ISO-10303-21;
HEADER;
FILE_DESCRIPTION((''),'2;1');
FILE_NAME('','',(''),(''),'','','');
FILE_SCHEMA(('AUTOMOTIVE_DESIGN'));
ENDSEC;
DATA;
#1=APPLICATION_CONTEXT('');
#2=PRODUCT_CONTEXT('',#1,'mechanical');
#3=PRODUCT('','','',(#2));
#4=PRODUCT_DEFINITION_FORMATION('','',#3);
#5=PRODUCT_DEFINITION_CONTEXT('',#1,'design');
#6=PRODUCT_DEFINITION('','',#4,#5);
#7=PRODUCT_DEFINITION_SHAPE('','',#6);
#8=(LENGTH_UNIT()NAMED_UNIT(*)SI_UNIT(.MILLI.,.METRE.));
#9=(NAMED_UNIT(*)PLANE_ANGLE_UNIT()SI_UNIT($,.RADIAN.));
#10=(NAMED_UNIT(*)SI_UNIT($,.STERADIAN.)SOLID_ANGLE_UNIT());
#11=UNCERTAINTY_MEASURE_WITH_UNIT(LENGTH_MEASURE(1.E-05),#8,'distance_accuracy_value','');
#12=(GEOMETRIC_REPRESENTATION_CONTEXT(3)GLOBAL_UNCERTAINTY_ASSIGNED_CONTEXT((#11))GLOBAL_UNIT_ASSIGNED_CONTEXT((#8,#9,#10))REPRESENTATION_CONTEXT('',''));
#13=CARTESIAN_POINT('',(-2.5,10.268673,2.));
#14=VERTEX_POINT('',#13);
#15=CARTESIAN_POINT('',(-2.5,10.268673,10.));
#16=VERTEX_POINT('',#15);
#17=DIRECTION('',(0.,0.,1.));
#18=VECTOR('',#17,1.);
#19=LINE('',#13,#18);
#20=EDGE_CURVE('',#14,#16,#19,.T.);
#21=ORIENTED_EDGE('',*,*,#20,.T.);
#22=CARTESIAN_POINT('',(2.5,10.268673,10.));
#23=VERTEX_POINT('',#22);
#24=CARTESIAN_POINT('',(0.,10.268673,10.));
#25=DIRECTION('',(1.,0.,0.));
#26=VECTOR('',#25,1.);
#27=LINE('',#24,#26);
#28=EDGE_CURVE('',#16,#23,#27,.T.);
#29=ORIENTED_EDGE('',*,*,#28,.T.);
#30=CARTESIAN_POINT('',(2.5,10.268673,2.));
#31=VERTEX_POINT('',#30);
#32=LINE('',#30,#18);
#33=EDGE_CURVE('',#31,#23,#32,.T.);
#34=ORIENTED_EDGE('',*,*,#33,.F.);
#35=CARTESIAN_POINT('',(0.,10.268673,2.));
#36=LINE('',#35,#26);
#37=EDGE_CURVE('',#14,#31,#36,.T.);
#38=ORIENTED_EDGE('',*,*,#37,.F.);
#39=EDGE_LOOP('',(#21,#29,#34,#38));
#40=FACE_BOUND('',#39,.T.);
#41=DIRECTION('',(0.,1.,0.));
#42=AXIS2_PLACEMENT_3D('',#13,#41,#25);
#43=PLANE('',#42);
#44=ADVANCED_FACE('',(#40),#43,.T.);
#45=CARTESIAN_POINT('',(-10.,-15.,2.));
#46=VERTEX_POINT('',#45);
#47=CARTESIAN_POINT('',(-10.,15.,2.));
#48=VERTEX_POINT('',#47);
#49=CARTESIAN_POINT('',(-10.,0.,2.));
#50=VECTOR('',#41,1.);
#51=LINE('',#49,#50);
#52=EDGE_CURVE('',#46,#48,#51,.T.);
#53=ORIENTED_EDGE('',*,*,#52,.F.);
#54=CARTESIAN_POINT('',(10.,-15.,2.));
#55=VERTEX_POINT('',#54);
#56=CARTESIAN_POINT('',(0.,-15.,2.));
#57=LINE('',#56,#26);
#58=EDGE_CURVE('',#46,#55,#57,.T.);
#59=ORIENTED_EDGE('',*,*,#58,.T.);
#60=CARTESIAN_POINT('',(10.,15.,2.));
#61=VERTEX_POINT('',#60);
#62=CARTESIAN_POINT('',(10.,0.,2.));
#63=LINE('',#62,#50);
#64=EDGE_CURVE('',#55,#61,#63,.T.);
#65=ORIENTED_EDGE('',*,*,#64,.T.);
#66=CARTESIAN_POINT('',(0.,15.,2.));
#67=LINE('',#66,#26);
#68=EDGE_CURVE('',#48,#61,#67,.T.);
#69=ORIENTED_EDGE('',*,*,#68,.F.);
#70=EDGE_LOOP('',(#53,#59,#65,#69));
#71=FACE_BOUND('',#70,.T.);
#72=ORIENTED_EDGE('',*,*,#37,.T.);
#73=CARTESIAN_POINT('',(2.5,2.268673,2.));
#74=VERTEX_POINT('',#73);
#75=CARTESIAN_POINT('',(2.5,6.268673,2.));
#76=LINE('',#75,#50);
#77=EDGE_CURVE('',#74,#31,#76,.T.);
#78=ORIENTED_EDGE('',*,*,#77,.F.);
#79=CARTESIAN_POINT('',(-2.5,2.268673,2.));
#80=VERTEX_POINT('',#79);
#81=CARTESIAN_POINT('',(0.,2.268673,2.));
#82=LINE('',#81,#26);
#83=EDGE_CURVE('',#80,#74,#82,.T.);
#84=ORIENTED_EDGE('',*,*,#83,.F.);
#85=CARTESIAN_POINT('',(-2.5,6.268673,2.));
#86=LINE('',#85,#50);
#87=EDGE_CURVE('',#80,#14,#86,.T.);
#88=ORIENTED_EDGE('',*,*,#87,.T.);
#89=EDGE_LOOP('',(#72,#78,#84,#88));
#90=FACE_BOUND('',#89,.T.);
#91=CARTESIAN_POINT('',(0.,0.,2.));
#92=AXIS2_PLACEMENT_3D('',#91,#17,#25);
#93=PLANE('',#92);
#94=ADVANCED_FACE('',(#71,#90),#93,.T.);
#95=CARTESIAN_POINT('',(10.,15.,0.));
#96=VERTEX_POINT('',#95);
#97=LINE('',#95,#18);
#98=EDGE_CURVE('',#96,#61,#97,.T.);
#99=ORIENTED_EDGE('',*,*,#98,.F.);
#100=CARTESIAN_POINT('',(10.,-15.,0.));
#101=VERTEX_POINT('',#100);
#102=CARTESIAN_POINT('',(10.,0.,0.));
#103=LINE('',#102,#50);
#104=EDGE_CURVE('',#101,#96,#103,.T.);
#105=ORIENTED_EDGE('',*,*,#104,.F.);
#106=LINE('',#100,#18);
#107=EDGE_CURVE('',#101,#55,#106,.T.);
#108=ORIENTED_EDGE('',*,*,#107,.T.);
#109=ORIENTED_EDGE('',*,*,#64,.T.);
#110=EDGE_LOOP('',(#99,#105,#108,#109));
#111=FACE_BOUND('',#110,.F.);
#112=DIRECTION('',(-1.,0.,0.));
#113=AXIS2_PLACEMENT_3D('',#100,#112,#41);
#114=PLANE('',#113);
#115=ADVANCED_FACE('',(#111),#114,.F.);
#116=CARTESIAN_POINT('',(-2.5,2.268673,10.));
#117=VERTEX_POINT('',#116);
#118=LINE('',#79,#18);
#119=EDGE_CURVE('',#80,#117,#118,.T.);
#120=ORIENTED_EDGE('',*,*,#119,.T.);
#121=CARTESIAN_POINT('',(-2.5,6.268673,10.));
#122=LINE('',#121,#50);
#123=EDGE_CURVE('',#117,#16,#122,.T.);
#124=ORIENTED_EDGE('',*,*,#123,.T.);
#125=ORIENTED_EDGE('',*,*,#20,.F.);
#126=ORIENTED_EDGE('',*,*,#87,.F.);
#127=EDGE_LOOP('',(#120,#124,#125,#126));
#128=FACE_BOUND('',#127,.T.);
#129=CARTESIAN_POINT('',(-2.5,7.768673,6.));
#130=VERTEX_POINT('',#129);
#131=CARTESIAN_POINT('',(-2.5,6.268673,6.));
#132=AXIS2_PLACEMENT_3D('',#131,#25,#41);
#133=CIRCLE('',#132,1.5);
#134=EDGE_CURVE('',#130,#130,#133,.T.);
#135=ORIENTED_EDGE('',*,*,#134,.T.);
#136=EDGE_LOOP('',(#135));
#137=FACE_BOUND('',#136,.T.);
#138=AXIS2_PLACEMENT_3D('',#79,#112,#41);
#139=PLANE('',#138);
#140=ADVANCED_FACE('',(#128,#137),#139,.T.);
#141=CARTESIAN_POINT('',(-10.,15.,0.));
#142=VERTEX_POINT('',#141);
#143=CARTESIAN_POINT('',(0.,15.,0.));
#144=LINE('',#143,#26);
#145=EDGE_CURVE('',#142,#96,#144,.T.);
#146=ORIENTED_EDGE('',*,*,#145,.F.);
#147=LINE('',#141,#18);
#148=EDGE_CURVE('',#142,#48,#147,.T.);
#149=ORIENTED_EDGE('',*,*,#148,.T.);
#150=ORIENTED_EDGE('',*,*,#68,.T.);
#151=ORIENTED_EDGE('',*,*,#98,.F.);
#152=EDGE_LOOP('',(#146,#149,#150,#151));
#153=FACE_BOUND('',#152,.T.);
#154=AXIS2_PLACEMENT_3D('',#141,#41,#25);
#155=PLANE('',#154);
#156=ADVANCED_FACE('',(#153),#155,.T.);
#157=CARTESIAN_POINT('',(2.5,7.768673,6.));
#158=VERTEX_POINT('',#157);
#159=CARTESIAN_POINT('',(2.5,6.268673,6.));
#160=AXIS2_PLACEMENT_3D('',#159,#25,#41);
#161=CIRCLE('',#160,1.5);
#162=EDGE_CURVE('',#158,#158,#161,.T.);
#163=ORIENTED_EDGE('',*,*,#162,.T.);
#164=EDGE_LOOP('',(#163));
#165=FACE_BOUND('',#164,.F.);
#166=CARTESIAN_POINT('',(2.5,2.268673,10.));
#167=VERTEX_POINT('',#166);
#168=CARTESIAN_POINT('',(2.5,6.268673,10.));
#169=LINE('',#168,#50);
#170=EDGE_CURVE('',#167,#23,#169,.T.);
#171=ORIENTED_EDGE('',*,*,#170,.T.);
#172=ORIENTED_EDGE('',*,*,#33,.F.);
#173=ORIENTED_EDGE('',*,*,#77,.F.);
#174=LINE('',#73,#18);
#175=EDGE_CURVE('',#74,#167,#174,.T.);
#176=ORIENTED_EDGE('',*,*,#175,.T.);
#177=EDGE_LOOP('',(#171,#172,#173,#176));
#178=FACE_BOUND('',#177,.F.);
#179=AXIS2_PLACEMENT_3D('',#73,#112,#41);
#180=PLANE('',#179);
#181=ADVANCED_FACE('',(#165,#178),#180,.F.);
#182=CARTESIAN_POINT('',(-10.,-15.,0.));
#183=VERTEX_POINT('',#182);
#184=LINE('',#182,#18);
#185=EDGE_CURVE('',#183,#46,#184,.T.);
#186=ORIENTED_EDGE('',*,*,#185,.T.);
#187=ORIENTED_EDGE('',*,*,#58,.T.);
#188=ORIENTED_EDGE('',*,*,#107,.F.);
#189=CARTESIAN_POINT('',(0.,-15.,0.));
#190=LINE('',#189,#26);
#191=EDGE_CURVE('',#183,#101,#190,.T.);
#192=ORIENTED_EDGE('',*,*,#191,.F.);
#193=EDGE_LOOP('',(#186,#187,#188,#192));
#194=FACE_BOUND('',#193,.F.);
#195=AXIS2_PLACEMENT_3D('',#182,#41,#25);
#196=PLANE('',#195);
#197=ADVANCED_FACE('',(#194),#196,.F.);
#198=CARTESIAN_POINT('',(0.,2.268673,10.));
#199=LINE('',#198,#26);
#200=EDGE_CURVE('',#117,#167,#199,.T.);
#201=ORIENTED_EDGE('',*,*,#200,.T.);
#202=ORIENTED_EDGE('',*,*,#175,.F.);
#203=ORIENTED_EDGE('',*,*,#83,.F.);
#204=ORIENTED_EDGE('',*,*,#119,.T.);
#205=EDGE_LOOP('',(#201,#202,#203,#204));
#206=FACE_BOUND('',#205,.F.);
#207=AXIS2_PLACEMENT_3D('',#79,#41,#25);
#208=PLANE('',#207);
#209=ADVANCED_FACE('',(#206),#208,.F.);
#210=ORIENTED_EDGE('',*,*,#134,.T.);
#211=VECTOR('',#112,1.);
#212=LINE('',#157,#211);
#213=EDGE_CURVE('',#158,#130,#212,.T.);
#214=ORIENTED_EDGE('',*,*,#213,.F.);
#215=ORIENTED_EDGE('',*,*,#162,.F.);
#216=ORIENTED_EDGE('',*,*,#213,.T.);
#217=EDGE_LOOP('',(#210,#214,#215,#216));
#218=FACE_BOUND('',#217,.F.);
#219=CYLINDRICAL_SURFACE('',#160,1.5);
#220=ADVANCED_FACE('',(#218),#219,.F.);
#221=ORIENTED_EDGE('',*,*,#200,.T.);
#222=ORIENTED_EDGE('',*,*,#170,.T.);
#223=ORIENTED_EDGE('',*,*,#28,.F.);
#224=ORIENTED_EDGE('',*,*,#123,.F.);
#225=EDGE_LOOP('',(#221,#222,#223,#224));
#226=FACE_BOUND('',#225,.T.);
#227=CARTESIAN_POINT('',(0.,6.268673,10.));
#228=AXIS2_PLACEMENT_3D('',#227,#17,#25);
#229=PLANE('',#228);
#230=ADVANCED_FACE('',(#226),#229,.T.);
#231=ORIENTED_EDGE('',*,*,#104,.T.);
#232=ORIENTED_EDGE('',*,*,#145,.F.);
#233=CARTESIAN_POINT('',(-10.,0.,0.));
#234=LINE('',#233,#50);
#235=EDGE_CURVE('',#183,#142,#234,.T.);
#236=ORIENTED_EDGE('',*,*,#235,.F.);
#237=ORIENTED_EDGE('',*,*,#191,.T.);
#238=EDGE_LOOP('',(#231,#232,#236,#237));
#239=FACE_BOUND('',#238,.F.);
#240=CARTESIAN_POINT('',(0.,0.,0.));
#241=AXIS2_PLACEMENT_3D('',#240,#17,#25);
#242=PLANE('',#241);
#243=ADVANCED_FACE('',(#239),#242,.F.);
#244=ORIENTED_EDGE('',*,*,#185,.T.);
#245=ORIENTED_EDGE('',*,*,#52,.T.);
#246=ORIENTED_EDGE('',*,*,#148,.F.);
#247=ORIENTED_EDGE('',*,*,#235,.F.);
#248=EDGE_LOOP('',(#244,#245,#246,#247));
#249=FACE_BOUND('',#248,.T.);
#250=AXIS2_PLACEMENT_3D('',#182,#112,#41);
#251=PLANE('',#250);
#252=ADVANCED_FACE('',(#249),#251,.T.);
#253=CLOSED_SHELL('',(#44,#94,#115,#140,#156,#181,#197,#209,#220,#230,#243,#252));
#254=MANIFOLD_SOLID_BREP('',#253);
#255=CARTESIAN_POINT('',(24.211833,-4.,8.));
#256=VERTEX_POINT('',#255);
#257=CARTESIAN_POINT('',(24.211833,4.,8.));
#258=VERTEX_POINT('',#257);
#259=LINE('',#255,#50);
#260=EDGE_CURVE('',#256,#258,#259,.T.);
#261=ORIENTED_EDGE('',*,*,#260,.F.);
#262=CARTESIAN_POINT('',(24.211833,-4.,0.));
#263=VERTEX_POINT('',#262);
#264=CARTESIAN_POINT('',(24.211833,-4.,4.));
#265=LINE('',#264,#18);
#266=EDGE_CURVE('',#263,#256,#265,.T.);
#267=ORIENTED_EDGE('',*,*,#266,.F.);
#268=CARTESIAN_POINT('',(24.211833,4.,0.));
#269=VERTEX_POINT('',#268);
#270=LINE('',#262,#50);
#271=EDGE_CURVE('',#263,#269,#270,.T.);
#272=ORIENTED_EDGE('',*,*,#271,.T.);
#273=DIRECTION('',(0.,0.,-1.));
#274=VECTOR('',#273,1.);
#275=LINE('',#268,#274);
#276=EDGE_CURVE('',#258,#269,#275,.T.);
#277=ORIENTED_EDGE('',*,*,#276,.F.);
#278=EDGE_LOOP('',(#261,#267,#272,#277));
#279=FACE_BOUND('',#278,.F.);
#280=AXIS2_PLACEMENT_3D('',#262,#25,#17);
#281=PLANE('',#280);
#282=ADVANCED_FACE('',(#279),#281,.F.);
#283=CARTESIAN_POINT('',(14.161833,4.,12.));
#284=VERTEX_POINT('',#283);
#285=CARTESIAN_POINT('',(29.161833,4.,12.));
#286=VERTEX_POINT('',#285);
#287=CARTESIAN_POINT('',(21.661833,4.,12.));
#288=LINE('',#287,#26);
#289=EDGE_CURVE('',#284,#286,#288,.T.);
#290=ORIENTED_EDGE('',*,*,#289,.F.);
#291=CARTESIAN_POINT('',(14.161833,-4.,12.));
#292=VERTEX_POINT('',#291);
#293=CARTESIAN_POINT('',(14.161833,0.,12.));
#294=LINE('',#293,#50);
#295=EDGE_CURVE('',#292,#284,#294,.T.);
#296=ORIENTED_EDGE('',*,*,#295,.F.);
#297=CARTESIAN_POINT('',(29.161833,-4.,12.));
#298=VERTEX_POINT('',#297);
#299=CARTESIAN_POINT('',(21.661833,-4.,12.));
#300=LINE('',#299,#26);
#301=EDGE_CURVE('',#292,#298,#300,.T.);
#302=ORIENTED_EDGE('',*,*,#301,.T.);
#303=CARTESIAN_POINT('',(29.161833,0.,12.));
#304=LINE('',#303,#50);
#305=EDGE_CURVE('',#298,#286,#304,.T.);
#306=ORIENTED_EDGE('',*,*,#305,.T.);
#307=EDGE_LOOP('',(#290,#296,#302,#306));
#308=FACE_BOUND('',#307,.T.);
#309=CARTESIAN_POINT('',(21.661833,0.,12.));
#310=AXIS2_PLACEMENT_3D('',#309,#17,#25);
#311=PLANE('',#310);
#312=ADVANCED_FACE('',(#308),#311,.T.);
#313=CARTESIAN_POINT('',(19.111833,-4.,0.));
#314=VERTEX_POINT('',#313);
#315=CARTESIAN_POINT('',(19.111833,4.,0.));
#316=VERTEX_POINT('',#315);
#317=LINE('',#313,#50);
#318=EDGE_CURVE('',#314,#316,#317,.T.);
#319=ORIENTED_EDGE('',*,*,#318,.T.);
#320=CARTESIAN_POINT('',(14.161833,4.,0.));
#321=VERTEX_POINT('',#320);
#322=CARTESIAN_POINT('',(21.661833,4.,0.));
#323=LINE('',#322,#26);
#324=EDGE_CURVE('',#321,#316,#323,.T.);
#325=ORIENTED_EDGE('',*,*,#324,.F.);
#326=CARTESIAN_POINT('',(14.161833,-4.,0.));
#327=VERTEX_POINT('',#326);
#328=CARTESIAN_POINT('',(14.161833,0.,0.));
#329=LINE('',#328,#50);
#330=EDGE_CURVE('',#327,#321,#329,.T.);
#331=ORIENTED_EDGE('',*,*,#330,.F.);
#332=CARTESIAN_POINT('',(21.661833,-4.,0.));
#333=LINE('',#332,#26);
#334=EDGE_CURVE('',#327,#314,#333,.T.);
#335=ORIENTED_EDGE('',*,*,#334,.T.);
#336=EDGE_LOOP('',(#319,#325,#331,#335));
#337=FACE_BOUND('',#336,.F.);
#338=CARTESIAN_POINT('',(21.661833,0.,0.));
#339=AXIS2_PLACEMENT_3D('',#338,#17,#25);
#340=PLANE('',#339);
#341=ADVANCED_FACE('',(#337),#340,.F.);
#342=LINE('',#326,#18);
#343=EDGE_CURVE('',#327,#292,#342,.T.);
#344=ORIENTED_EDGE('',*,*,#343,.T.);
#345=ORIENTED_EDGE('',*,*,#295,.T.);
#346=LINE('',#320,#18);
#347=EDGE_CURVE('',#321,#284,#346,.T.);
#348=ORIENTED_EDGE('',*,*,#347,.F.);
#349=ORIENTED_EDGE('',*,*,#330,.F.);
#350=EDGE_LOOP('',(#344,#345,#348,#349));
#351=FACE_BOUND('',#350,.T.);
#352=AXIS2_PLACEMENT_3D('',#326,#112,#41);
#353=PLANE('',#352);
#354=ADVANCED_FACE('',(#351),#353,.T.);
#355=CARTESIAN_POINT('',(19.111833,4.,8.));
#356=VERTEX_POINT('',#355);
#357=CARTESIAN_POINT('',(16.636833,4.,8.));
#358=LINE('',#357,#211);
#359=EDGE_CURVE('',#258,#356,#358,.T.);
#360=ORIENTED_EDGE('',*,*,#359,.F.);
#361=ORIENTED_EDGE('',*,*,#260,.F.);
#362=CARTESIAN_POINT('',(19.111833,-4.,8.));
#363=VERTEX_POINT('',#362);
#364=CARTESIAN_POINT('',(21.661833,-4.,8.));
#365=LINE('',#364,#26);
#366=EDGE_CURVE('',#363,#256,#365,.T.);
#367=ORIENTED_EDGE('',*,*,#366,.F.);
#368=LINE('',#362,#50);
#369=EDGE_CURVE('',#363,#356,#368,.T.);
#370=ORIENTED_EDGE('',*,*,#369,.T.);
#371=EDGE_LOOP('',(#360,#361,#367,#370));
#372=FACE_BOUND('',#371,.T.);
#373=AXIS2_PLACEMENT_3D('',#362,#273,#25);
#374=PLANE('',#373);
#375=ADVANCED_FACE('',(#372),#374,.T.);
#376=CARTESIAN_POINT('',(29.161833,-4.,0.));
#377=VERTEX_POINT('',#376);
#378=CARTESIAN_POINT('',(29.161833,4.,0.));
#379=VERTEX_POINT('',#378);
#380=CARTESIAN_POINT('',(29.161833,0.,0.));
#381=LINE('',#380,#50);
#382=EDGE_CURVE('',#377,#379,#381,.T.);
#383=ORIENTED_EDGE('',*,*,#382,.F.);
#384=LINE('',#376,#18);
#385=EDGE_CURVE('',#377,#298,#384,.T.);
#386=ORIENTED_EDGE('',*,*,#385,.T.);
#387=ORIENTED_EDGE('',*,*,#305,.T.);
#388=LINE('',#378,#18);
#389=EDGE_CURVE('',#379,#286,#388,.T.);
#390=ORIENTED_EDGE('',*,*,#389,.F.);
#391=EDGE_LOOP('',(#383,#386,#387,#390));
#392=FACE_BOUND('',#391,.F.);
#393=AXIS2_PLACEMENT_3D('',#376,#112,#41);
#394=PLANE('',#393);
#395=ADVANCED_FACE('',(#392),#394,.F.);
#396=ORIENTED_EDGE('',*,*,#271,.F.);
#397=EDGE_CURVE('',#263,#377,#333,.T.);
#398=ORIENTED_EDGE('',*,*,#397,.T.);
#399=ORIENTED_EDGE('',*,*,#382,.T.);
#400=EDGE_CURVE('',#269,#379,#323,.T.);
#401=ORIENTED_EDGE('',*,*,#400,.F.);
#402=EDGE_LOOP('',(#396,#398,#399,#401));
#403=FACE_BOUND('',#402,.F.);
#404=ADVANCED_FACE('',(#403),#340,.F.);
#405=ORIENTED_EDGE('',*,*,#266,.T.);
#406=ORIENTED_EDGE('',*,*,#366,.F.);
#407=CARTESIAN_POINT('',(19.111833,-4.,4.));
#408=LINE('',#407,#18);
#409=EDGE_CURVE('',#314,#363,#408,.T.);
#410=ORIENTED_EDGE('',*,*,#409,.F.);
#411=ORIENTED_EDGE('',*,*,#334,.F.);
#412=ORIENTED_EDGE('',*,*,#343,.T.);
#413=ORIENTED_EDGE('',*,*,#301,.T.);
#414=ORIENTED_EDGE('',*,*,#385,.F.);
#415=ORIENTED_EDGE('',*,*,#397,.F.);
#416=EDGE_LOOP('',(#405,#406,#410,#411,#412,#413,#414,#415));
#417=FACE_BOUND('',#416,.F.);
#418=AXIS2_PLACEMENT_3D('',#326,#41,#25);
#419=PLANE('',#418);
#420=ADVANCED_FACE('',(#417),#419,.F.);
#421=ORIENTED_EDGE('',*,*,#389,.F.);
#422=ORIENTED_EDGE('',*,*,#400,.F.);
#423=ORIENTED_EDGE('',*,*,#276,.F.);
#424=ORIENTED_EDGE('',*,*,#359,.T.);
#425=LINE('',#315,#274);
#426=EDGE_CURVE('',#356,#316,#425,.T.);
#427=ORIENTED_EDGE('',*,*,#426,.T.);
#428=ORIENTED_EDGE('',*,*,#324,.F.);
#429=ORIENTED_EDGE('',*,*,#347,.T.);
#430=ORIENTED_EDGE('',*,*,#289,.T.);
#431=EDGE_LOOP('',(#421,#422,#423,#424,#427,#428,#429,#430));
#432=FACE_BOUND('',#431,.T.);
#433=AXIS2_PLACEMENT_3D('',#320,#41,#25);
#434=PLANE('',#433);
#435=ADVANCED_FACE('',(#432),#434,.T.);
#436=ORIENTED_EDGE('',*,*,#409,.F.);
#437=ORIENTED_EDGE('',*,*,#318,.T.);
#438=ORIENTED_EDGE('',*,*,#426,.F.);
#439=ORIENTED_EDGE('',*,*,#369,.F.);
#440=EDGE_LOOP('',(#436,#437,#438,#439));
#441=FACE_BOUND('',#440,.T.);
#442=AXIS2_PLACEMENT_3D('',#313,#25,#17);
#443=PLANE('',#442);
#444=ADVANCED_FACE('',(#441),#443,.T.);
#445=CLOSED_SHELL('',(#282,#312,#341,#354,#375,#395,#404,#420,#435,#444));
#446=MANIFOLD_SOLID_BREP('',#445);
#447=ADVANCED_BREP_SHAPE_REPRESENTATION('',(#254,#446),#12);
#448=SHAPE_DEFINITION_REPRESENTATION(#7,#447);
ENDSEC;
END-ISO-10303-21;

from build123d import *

# Parameters (mm, degrees)
F0_W           = 20
F0_H           = 30
F1_DEPTH       = 2
F2_W           = 5
F2_H           = 8
F3_DEPTH       = 8
F4_R           = 1.5
F5_DEPTH       = 25
F5_DEPTH_BACK  = 25
F9_W           = 15
F9_H           = 8
F10_DEPTH      = 12
F11_W          = 5.1
F11_H          = 8
F12_DEPTH      = 25
F12_DEPTH_BACK = 25


with BuildPart() as f1:
    # F0 (on Top) → F1 (new body)
    with BuildSketch(Plane.XY):
        Rectangle(F0_W, F0_H)
    extrude(amount=F1_DEPTH)

    # F2 (on face) → F3 (join)
    with BuildSketch(Plane.XY.offset(2)):
        with Locations((0, 6.2686726451)):
            Rectangle(F2_W, F2_H)
    extrude(amount=F3_DEPTH)


with BuildPart() as f3:
    # F2 (on face) → F3, piece 2 (new body)
    with BuildSketch(Plane.XY.offset(2)):
        with Locations((16.2088256329, 6.2686726451)):
            Rectangle(F2_W, F2_H)
    extrude(amount=F3_DEPTH)


with BuildPart() as f5_tool:
    # F4 (on face) → F5 (new body, two sides)
    with BuildSketch(Plane.YZ.offset(2.5)) as f5_sk:
        with Locations((6.2686726451, 6)):
            Circle(F4_R)
    extrude(amount=-F5_DEPTH)
    extrude(f5_sk.sketch, amount=F5_DEPTH_BACK)


with BuildPart() as f1_1:
    add(f1.part)

    # F5: cut by f5_tool
    add(f5_tool.part, mode=Mode.SUBTRACT)


with BuildPart() as f3_1:
    add(f3.part)

    # F5: cut by f5_tool
    add(f5_tool.part, mode=Mode.SUBTRACT)


with BuildPart() as f6_1:
    # F6: copy of F3
    add(f3_1.part)


with BuildPart() as f10:
    # F9 (on Top) → F10 (new body)
    with BuildSketch(Plane.XY):
        with Locations((21.6618329287, 0)):
            Rectangle(F9_W, F9_H)
    extrude(amount=F10_DEPTH)

    # F11 (on face) → F12 (cut, two sides)
    with BuildSketch(Plane.XZ.offset(4)) as f12_sk:
        with Locations((21.6618329287, 4)):
            Rectangle(F11_W, F11_H)
    extrude(amount=-F12_DEPTH, mode=Mode.SUBTRACT)
    extrude(f12_sk.sketch, amount=F12_DEPTH_BACK, mode=Mode.SUBTRACT)


solid = Compound([f1_1.part, f10.part])
